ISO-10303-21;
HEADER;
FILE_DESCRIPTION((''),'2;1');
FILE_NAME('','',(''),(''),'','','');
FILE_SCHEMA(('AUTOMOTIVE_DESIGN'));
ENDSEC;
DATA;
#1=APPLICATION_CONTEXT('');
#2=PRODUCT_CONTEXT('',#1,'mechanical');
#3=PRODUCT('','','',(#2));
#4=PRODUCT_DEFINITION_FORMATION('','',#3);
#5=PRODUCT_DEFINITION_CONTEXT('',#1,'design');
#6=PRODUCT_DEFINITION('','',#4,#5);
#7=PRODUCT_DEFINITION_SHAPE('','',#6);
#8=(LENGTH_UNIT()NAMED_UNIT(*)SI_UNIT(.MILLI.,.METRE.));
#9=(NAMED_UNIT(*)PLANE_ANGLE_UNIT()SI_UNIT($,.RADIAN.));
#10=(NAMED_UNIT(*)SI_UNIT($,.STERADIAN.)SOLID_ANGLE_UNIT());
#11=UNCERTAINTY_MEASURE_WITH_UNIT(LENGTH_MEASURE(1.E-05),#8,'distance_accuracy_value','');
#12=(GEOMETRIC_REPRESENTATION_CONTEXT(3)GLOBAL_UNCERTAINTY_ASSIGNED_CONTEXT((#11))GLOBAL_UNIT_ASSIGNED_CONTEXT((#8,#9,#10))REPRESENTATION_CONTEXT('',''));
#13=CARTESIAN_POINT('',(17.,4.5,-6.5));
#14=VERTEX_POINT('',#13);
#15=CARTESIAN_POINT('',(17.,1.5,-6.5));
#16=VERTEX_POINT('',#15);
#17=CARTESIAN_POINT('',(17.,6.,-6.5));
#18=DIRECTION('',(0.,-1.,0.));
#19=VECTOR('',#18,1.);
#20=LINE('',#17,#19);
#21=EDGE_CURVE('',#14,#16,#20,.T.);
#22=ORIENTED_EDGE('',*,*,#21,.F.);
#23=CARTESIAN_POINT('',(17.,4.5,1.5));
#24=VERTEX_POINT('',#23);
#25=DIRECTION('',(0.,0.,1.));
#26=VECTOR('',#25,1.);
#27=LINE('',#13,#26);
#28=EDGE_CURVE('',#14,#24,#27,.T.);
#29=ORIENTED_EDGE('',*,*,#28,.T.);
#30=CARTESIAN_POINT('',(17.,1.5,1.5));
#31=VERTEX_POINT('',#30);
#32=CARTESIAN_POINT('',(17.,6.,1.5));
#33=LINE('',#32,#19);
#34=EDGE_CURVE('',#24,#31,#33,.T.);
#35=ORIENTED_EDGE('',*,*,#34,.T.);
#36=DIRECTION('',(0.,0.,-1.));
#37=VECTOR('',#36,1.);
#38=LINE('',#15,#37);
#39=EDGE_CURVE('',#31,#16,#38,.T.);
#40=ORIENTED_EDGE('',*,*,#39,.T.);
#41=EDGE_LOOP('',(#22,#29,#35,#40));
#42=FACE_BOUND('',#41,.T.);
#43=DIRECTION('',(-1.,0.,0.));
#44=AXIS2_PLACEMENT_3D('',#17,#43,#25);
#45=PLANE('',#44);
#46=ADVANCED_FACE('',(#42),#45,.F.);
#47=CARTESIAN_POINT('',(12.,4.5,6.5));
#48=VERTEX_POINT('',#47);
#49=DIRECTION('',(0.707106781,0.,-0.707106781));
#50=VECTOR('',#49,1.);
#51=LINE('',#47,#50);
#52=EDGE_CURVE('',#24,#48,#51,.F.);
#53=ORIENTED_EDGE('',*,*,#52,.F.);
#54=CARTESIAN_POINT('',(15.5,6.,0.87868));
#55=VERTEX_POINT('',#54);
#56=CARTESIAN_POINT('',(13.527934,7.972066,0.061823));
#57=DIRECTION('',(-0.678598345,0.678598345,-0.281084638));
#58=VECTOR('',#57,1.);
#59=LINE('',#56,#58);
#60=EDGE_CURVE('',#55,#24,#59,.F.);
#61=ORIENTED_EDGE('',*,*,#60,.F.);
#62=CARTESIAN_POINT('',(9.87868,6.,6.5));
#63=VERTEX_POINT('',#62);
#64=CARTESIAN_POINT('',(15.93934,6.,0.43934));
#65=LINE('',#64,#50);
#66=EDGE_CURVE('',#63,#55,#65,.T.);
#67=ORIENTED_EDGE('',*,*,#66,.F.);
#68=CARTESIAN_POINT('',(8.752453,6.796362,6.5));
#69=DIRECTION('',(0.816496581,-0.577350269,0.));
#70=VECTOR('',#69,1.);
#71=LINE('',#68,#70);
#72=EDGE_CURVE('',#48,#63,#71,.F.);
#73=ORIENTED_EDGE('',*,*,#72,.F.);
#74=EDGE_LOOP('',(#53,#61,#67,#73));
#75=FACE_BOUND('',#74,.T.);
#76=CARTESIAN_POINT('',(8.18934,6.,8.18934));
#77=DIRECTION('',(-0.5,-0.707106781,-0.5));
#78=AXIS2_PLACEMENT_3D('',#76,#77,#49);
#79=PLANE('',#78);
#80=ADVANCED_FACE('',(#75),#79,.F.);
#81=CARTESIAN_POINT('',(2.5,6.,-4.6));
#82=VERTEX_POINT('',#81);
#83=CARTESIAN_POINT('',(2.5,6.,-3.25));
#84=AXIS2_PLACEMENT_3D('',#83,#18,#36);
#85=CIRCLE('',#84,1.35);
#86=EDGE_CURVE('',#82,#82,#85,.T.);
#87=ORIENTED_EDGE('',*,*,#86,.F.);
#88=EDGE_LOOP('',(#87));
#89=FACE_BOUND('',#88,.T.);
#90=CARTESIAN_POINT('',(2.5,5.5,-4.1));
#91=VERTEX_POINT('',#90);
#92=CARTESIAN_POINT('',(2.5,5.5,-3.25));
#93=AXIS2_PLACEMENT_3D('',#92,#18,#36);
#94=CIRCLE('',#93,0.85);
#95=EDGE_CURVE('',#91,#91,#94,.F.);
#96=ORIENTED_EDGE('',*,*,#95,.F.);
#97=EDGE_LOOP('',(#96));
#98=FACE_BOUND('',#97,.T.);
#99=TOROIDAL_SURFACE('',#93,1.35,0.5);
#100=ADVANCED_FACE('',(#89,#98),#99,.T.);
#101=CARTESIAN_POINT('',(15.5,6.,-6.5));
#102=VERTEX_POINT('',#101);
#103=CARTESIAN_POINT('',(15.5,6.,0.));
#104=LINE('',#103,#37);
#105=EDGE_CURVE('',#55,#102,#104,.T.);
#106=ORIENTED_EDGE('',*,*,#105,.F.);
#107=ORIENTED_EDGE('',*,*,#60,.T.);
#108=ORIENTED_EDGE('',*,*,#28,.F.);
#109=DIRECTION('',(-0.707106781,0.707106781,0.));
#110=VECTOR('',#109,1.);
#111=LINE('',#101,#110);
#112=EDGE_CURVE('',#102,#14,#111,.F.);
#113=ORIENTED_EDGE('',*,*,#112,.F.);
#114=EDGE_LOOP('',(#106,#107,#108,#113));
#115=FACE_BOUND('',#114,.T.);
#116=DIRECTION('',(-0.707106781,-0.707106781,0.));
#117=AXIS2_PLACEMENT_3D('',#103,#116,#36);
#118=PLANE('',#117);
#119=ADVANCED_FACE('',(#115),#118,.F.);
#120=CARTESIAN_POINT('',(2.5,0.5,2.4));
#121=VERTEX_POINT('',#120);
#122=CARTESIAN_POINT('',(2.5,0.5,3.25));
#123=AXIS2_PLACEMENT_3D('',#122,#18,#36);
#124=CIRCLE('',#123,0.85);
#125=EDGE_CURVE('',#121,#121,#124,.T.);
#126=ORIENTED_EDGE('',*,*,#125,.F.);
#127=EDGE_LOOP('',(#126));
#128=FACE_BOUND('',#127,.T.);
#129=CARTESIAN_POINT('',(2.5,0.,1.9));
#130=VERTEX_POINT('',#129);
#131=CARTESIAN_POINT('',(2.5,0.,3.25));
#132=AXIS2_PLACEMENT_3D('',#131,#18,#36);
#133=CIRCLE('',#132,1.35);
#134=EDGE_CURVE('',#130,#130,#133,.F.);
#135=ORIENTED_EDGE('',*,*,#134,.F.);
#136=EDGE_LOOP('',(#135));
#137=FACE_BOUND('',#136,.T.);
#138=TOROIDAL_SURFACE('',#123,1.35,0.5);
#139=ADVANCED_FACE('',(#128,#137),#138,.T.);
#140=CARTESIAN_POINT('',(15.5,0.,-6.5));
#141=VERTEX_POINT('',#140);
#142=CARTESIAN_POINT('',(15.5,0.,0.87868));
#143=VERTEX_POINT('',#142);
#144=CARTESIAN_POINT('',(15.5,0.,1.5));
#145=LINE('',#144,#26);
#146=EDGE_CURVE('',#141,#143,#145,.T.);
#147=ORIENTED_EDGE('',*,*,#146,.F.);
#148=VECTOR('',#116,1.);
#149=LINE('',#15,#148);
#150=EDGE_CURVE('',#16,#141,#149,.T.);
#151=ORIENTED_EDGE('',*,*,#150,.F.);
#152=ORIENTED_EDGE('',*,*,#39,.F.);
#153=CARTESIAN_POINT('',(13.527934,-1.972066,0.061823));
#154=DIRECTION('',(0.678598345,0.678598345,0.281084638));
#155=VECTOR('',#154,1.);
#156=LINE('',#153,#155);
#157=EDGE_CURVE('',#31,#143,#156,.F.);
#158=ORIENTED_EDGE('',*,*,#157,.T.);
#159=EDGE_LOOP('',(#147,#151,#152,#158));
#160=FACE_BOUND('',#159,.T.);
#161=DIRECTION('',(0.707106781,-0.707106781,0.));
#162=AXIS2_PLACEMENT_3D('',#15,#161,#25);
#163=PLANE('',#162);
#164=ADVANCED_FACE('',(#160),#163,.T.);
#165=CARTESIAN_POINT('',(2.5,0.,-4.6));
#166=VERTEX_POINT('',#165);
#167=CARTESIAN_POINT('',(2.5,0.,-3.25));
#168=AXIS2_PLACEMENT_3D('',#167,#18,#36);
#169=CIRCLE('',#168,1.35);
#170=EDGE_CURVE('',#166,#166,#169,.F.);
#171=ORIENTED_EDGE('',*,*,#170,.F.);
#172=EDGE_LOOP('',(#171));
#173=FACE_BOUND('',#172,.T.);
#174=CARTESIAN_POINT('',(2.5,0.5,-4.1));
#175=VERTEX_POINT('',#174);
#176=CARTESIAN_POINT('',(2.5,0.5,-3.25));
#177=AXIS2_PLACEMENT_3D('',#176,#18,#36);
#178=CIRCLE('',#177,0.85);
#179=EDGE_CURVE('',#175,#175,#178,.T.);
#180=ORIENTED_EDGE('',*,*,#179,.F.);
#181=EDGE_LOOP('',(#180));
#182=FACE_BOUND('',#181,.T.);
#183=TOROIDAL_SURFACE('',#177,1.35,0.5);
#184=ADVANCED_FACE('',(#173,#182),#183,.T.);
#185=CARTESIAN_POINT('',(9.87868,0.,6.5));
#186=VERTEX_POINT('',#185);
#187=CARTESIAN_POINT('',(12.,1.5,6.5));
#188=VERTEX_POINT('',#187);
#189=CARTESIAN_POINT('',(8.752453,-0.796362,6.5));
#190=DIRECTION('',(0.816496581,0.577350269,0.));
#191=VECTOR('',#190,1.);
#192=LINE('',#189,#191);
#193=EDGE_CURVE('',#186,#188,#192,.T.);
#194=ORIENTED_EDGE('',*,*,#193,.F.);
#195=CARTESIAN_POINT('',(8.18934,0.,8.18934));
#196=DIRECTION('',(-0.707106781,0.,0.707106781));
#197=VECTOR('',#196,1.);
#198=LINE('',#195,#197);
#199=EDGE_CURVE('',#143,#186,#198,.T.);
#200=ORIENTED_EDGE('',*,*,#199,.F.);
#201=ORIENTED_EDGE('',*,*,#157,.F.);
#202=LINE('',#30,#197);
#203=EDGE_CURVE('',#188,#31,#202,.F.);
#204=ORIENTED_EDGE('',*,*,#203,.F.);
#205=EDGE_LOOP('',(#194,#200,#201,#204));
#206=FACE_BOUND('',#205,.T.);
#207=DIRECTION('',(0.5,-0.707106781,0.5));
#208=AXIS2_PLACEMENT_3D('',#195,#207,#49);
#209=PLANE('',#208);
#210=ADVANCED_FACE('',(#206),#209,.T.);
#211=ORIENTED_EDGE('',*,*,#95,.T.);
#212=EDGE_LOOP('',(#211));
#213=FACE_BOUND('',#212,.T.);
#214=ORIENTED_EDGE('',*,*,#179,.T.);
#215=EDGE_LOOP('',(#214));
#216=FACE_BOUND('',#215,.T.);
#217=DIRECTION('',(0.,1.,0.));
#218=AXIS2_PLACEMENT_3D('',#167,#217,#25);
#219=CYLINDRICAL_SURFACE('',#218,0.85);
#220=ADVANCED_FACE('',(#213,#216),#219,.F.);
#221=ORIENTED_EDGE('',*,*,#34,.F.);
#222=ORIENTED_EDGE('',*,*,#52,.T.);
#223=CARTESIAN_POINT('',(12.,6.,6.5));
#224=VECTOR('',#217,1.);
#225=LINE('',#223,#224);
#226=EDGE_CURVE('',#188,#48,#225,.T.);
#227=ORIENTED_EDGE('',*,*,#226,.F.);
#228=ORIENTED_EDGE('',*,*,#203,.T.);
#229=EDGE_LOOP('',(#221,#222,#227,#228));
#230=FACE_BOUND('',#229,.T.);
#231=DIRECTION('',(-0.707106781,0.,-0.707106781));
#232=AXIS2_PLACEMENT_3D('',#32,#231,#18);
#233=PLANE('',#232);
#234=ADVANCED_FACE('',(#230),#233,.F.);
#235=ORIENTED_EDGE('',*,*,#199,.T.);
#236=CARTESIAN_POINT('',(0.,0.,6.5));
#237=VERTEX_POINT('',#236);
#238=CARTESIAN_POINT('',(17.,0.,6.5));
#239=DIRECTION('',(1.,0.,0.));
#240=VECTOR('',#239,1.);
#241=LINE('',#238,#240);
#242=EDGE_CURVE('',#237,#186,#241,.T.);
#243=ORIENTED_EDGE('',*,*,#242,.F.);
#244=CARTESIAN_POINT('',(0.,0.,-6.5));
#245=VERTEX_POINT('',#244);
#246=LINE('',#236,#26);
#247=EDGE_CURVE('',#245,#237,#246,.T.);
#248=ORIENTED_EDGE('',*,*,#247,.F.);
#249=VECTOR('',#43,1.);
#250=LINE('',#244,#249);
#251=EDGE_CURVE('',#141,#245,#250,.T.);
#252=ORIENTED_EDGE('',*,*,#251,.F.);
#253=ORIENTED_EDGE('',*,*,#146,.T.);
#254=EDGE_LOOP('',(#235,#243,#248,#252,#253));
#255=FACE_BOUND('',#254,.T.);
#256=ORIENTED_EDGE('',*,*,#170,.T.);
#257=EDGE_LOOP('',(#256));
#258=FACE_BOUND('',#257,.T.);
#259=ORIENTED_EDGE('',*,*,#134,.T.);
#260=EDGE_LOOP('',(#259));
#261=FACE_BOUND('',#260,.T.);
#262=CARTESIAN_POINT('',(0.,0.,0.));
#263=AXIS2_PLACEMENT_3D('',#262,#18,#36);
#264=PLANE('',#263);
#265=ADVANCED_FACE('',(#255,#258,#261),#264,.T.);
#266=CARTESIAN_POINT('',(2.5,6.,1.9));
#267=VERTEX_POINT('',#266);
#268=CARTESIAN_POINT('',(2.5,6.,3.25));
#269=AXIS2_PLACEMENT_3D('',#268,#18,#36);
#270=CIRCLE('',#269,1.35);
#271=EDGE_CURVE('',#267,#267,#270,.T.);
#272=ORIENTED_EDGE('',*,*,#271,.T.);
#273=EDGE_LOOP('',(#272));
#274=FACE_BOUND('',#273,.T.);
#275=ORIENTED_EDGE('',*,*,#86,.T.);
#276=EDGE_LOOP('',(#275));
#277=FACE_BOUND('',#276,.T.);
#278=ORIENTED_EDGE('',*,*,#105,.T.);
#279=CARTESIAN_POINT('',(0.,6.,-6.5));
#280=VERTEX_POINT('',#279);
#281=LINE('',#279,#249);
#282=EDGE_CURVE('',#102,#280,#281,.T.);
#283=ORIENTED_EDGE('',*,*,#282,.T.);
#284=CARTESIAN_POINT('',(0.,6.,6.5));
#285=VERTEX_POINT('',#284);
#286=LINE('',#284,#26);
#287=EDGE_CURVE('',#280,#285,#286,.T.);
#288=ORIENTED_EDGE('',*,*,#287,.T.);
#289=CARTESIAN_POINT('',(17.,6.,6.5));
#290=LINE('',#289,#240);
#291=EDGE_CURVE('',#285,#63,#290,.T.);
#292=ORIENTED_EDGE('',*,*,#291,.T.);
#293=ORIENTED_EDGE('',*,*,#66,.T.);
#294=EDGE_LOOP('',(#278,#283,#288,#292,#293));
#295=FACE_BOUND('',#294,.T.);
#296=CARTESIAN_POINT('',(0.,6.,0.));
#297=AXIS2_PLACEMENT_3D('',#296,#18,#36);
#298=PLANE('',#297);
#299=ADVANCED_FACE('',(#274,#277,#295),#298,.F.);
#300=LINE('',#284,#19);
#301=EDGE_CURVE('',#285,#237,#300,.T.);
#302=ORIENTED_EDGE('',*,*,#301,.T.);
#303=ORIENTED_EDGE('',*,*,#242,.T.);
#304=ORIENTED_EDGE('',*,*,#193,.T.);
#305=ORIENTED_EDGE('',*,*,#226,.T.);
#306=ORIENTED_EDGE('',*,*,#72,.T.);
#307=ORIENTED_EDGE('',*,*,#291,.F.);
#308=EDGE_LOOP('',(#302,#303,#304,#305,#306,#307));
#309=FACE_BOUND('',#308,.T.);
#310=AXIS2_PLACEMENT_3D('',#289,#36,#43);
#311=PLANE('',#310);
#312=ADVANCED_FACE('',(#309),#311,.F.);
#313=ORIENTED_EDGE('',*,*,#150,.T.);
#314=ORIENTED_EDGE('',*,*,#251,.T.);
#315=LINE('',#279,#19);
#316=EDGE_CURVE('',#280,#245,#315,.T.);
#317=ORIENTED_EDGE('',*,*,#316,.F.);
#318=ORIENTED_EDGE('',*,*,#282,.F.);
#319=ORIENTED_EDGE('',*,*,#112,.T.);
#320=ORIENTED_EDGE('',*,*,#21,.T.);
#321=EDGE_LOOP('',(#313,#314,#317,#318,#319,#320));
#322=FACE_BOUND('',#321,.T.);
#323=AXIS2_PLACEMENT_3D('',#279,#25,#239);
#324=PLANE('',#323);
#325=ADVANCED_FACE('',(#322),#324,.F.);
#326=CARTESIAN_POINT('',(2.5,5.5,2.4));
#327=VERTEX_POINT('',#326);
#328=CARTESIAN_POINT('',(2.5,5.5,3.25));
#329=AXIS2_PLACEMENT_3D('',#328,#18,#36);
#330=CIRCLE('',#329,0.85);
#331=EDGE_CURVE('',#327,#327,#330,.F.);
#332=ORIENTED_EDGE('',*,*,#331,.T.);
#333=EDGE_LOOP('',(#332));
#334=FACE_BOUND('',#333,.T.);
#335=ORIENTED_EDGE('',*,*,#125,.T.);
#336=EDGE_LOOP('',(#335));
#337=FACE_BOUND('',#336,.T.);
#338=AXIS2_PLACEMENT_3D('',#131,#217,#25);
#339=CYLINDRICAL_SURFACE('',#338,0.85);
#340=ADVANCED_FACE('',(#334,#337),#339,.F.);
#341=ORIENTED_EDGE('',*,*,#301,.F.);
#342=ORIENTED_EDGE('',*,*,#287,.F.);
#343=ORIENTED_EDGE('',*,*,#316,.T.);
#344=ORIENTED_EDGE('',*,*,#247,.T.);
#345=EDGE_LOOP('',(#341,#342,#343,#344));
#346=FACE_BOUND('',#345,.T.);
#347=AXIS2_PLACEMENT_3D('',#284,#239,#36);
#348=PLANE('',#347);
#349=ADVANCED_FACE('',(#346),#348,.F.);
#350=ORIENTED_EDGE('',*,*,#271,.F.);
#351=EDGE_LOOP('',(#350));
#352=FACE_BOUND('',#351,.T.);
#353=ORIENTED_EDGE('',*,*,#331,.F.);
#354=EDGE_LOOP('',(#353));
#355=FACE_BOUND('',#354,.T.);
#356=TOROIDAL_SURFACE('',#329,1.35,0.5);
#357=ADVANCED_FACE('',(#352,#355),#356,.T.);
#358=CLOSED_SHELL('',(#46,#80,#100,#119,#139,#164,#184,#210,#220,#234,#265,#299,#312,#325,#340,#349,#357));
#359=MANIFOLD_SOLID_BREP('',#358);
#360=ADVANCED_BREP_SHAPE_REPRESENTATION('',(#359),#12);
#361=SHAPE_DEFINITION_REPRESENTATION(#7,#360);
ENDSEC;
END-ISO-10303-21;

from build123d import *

# Parameters (mm, degrees)
SKETCH1_W               = 17
SKETCH1_H               = 13
BOSS_EXTRUDE1_DEPTH     = 6
CUT_EXTRUDE1_DEPTH      = 20.163767897
CUT_EXTRUDE1_DEPTH_BACK = 20.163767897
SKETCH2_R               = 0.85
FILLET1_R               = 0.5
CHAMFER1_SIZE           = 5
CHAMFER2_SIZE           = 1.5


with BuildPart() as part:
    # Sketch1 → Boss-Extrude1 (new body)
    with BuildSketch(Plane(origin=(0, 0, 0), x_dir=(1, 0, 0), z_dir=(0, 1, 0))):
        with Locations((8.5, 0)):
            Rectangle(SKETCH1_W, SKETCH1_H)
    extrude(amount=BOSS_EXTRUDE1_DEPTH)

    # Sketch2 → Cut-Extrude1 (cut, two sides: drawn at the far end of the back side and taken through both)
    with BuildSketch(Plane(origin=(0, 6, 0), x_dir=(1, 0, 0), z_dir=(0, 1, 0)).offset(-CUT_EXTRUDE1_DEPTH_BACK)):
        with Locations(Location((2.5, 3.25, 0), (0, 0, 270))):
            Circle(SKETCH2_R)
        with Locations(Location((2.5, -3.25, 0), (0, 0, 270))):
            Circle(SKETCH2_R)
    extrude(amount=CUT_EXTRUDE1_DEPTH + CUT_EXTRUDE1_DEPTH_BACK, mode=Mode.SUBTRACT)

    # Fillet1
    fillet1_edges = [part.edges().sort_by_distance(p)[0] for p in [
        (2.5, 0, -4.1),
        (2.5, 6, -4.1),
        (2.5, 0, 2.4),
        (2.5, 6, 2.4),
    ]]
    fillet(fillet1_edges, radius=FILLET1_R)

    # Chamfer1
    chamfer1_edges = [part.edges().sort_by_distance(p)[0] for p in [
        (17, 3, 6.5),
    ]]
    chamfer(chamfer1_edges, length=CHAMFER1_SIZE)

    # Chamfer2
    chamfer2_edges = [part.edges().sort_by_distance(p)[0] for p in [
        (17, 0, -2.5),
        (17, 6, -2.5),
        (14.5, 0, 4),
        (14.5, 6, 4),
    ]]
    chamfer(chamfer2_edges, length=CHAMFER2_SIZE)


solid = part.part
